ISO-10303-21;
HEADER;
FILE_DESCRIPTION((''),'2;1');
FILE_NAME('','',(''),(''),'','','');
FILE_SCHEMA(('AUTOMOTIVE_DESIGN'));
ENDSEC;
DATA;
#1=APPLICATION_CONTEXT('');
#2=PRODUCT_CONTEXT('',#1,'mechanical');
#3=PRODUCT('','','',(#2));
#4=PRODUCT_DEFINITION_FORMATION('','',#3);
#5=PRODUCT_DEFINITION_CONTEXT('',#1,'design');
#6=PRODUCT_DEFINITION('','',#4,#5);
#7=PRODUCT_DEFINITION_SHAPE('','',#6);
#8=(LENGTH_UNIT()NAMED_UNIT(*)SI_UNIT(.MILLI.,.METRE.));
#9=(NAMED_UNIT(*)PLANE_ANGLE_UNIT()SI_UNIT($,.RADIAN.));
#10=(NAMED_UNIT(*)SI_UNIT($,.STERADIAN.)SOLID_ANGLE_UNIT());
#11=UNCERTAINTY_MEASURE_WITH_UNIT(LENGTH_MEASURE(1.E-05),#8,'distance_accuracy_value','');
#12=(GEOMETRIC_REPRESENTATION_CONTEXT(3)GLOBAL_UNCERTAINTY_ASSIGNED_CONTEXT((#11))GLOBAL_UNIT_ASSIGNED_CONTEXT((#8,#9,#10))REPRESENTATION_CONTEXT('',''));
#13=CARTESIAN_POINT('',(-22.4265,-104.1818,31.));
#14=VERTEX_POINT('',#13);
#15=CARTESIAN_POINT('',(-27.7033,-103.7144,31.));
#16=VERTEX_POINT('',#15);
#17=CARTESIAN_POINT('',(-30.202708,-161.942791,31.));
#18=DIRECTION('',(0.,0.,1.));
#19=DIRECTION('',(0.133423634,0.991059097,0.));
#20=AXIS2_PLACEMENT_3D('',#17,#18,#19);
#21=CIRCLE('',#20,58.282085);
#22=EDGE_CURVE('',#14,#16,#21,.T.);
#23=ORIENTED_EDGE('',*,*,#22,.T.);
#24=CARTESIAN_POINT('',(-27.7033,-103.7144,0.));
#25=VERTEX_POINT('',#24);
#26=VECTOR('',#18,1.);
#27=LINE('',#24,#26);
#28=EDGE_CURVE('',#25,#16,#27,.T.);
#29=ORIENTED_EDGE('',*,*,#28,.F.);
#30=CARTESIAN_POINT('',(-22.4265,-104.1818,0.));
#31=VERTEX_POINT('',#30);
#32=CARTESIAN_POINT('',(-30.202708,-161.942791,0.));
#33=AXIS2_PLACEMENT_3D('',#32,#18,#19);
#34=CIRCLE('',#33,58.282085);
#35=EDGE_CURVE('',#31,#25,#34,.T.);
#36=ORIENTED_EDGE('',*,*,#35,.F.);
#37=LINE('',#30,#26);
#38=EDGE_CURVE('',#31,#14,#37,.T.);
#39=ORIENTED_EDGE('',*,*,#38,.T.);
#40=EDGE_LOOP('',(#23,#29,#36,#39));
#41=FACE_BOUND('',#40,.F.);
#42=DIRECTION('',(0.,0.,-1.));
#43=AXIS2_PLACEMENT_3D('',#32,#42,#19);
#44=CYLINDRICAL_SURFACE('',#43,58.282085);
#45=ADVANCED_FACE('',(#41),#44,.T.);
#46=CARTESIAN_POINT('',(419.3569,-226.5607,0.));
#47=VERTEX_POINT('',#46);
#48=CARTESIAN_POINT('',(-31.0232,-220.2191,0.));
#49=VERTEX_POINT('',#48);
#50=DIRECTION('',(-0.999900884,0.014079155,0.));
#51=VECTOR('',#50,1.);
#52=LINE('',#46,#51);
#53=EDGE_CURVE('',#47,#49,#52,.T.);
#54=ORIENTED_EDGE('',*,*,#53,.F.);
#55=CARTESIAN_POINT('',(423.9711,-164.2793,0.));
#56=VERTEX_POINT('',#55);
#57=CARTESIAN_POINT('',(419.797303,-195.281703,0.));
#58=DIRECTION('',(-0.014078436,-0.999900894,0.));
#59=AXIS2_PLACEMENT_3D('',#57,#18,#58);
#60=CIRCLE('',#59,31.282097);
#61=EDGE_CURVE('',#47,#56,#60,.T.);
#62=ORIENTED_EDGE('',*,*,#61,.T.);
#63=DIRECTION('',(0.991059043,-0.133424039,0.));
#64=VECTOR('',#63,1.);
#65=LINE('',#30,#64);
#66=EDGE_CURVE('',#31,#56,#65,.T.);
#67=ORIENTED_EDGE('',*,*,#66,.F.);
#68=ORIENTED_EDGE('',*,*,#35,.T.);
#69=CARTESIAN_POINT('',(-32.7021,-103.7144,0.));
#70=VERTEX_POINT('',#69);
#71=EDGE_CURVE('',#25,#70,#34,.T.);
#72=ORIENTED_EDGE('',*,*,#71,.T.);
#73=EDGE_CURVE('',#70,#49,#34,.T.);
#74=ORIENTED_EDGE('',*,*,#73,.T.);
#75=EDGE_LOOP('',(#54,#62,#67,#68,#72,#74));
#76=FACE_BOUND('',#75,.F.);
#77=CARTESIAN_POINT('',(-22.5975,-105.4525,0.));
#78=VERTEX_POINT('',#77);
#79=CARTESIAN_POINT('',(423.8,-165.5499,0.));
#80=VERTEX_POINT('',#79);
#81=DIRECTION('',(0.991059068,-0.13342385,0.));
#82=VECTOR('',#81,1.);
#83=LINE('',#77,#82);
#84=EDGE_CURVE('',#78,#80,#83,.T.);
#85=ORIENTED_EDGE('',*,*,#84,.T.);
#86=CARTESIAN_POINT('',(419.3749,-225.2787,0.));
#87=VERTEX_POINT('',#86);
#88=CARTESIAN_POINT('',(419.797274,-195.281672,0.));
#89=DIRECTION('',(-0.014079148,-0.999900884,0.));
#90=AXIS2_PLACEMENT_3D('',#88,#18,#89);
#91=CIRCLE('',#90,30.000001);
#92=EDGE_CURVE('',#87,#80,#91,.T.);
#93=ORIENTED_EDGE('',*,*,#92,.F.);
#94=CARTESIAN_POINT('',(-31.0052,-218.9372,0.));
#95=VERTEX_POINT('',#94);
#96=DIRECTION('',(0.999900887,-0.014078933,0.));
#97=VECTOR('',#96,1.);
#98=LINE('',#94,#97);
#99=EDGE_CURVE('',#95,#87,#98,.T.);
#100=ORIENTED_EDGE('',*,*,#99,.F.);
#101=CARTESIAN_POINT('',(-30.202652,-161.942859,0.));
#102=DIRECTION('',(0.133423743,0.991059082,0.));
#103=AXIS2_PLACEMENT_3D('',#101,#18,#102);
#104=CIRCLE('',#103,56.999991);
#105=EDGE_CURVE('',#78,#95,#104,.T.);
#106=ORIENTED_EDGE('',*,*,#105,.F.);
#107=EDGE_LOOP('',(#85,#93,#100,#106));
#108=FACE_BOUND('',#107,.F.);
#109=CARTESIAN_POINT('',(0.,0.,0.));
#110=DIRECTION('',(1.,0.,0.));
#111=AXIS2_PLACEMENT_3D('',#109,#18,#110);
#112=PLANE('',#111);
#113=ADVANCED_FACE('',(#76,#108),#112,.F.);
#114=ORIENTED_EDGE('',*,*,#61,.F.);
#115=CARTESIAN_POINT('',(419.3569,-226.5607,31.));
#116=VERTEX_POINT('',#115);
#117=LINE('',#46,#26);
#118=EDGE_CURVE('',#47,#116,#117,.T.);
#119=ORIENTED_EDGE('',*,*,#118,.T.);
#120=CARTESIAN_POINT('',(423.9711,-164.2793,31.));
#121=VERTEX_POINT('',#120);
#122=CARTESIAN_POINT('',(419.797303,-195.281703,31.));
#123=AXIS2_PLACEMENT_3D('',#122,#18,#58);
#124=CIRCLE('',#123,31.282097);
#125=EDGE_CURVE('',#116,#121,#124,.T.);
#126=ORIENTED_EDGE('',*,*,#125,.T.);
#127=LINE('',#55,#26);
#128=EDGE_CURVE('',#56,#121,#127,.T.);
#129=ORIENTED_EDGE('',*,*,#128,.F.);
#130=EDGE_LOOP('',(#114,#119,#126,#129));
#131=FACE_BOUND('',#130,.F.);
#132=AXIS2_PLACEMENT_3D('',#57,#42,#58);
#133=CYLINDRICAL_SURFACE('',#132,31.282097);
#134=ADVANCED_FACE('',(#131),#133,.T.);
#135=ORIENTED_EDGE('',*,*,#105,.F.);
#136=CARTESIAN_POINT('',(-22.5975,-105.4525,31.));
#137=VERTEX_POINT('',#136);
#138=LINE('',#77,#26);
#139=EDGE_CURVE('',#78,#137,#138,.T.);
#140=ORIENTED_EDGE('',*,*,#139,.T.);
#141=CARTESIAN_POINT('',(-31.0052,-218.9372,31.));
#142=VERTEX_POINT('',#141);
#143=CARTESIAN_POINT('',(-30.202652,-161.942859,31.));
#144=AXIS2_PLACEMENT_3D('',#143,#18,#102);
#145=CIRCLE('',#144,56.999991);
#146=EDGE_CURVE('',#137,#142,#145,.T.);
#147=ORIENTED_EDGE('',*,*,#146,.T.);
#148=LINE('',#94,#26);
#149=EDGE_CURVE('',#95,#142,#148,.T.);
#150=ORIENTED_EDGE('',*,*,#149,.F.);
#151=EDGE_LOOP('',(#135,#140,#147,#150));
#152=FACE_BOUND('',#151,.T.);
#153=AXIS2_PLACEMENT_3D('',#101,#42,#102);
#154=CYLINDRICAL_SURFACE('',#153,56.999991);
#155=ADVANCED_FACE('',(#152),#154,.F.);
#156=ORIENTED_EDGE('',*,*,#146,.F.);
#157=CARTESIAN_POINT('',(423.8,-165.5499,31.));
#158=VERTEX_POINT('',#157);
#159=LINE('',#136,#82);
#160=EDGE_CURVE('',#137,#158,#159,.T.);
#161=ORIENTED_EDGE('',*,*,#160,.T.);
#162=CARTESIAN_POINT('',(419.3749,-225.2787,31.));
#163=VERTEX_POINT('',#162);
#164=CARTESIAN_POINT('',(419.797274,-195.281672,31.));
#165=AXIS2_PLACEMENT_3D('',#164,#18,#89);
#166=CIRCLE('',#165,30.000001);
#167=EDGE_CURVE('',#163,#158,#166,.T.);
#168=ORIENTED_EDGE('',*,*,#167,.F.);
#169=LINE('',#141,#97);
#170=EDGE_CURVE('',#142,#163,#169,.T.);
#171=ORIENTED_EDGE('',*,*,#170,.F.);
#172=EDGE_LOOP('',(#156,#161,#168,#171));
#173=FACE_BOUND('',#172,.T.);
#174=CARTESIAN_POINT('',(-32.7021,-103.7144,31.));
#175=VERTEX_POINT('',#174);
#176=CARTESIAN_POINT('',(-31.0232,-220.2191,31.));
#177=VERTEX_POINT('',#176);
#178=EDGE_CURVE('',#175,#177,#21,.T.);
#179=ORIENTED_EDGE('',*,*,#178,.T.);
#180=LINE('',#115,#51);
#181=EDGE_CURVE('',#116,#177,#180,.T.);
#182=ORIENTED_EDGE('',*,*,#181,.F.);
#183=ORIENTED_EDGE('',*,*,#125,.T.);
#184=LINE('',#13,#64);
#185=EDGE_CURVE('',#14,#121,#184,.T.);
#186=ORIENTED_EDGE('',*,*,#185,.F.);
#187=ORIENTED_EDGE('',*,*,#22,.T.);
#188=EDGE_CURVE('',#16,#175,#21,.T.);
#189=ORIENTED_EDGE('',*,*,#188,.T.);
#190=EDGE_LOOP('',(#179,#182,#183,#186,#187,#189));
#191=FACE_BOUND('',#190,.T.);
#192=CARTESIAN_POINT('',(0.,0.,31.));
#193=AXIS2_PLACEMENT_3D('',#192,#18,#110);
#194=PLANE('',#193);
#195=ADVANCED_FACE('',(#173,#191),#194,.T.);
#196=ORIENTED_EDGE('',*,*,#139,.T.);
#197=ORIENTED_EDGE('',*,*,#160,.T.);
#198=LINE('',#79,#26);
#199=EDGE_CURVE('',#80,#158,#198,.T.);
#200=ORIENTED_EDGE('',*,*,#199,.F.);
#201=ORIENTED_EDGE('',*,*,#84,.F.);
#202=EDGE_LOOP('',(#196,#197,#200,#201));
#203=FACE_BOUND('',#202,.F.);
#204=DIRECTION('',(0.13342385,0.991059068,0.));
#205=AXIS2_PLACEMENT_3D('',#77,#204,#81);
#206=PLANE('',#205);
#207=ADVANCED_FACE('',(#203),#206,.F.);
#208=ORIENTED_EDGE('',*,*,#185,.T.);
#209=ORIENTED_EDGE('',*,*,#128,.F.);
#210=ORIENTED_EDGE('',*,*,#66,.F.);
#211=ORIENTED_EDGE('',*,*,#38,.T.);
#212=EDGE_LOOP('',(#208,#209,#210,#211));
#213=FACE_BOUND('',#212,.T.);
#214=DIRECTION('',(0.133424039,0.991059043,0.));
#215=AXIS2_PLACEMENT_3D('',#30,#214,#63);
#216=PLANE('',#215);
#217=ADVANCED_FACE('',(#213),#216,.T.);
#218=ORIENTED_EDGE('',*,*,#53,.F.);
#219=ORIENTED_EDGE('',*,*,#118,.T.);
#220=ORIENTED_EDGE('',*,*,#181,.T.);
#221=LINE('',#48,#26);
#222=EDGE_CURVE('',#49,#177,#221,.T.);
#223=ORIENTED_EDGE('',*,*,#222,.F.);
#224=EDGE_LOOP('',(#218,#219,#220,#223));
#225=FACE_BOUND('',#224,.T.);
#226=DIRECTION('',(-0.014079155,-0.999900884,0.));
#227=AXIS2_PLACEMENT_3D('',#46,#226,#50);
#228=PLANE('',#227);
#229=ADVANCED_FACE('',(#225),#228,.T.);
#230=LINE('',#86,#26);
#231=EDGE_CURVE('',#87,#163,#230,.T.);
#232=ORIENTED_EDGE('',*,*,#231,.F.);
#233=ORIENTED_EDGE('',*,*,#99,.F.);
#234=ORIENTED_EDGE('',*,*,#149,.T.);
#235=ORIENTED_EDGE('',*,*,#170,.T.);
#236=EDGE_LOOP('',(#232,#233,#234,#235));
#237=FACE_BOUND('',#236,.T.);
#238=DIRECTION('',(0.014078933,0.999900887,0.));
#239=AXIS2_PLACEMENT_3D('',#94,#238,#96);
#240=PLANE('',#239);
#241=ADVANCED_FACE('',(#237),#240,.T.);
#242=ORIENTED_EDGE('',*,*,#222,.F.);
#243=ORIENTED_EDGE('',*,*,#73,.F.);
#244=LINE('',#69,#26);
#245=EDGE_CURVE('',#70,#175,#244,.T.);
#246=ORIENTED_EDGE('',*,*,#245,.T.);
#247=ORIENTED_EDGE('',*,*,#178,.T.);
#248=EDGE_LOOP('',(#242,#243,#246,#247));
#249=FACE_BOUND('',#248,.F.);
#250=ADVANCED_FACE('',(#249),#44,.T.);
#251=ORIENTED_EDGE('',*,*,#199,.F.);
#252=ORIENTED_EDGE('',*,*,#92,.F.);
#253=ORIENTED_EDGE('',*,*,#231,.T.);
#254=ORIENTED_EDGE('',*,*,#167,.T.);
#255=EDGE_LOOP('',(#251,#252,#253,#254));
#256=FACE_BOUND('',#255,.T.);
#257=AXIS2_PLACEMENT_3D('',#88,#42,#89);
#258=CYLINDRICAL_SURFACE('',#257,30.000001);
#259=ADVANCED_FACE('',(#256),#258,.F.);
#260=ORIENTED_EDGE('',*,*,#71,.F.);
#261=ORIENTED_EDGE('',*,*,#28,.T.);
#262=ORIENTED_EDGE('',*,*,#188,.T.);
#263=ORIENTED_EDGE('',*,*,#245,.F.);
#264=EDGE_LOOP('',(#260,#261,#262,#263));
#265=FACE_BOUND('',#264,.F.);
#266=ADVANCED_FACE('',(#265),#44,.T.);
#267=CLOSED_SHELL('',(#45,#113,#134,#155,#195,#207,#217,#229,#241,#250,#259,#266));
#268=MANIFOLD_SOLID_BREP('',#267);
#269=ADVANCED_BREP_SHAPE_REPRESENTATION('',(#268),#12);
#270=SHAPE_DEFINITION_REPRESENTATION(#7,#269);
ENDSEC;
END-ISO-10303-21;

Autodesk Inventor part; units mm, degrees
ref_plane "YZ Plane" through (0, 0, 0) normal (1, 0, 0) x (0, 1, 0)
ref_plane "XZ Plane" through (0, 0, 0) normal (0, 1, 0) x (-1, 0, 0)
ref_plane "XY Plane" through (0, 0, 0) normal (0, 0, 1) x (1, 0, 0)
sketch "Sketch1" plane through (0, 0, 0) normal (0, 0, 1) x (1, 0, 0)
  arc A0 (-22.5975, -105.4525) -> (-31.0052, -218.9372) centre (-30.2027, -161.9428) ccw
  arc A1 (419.3749, -225.2787) -> (423.8, -165.5499) centre (419.7973, -195.2817) ccw
  line L0 (-22.5975, -105.4525) -> (423.8, -165.5499)
  line L1 (-31.0052, -218.9372) -> (419.3749, -225.2787)
  arc A2 (-22.4265, -104.1818) -> (-31.0232, -220.2191) centre (-30.2027, -161.9428) ccw
  line L2 (-22.4265, -104.1818) -> (423.9711, -164.2793)
  arc A3 (419.3569, -226.5607) -> (423.9711, -164.2793) centre (419.7973, -195.2817) ccw
  line L3 (419.3569, -226.5607) -> (-31.0232, -220.2191)
  arc A4 (-27.7033, -103.7144) -> (-32.7021, -103.7144) centre (-30.2027, -103.6607) ccw
  point P0 (0, 0)
  dimension "d1" = 57
  dimension "d2" = 30
  dimension "d3" = 450
  dimension "d4" = 1.2821
  dimension "d7" = 5
extrude "Extrusion1" add sketch "Sketch1" along normal blind 31 contours L2 A3 L3 A2
equation "\"d1\" = 0.5 * NagyKerekAtmero"
equation "\"d2\" = 0.5 * KisKerekAtmero"
equation "\"d5\" = SzíjSzélességA"
equation "\"NagyKerekAtmero\" = 114"
equation "\"KisKerekAtmero\" = 60"
equation "\"SzíjSzélességA\" = 31"
properties part number "Szij"
